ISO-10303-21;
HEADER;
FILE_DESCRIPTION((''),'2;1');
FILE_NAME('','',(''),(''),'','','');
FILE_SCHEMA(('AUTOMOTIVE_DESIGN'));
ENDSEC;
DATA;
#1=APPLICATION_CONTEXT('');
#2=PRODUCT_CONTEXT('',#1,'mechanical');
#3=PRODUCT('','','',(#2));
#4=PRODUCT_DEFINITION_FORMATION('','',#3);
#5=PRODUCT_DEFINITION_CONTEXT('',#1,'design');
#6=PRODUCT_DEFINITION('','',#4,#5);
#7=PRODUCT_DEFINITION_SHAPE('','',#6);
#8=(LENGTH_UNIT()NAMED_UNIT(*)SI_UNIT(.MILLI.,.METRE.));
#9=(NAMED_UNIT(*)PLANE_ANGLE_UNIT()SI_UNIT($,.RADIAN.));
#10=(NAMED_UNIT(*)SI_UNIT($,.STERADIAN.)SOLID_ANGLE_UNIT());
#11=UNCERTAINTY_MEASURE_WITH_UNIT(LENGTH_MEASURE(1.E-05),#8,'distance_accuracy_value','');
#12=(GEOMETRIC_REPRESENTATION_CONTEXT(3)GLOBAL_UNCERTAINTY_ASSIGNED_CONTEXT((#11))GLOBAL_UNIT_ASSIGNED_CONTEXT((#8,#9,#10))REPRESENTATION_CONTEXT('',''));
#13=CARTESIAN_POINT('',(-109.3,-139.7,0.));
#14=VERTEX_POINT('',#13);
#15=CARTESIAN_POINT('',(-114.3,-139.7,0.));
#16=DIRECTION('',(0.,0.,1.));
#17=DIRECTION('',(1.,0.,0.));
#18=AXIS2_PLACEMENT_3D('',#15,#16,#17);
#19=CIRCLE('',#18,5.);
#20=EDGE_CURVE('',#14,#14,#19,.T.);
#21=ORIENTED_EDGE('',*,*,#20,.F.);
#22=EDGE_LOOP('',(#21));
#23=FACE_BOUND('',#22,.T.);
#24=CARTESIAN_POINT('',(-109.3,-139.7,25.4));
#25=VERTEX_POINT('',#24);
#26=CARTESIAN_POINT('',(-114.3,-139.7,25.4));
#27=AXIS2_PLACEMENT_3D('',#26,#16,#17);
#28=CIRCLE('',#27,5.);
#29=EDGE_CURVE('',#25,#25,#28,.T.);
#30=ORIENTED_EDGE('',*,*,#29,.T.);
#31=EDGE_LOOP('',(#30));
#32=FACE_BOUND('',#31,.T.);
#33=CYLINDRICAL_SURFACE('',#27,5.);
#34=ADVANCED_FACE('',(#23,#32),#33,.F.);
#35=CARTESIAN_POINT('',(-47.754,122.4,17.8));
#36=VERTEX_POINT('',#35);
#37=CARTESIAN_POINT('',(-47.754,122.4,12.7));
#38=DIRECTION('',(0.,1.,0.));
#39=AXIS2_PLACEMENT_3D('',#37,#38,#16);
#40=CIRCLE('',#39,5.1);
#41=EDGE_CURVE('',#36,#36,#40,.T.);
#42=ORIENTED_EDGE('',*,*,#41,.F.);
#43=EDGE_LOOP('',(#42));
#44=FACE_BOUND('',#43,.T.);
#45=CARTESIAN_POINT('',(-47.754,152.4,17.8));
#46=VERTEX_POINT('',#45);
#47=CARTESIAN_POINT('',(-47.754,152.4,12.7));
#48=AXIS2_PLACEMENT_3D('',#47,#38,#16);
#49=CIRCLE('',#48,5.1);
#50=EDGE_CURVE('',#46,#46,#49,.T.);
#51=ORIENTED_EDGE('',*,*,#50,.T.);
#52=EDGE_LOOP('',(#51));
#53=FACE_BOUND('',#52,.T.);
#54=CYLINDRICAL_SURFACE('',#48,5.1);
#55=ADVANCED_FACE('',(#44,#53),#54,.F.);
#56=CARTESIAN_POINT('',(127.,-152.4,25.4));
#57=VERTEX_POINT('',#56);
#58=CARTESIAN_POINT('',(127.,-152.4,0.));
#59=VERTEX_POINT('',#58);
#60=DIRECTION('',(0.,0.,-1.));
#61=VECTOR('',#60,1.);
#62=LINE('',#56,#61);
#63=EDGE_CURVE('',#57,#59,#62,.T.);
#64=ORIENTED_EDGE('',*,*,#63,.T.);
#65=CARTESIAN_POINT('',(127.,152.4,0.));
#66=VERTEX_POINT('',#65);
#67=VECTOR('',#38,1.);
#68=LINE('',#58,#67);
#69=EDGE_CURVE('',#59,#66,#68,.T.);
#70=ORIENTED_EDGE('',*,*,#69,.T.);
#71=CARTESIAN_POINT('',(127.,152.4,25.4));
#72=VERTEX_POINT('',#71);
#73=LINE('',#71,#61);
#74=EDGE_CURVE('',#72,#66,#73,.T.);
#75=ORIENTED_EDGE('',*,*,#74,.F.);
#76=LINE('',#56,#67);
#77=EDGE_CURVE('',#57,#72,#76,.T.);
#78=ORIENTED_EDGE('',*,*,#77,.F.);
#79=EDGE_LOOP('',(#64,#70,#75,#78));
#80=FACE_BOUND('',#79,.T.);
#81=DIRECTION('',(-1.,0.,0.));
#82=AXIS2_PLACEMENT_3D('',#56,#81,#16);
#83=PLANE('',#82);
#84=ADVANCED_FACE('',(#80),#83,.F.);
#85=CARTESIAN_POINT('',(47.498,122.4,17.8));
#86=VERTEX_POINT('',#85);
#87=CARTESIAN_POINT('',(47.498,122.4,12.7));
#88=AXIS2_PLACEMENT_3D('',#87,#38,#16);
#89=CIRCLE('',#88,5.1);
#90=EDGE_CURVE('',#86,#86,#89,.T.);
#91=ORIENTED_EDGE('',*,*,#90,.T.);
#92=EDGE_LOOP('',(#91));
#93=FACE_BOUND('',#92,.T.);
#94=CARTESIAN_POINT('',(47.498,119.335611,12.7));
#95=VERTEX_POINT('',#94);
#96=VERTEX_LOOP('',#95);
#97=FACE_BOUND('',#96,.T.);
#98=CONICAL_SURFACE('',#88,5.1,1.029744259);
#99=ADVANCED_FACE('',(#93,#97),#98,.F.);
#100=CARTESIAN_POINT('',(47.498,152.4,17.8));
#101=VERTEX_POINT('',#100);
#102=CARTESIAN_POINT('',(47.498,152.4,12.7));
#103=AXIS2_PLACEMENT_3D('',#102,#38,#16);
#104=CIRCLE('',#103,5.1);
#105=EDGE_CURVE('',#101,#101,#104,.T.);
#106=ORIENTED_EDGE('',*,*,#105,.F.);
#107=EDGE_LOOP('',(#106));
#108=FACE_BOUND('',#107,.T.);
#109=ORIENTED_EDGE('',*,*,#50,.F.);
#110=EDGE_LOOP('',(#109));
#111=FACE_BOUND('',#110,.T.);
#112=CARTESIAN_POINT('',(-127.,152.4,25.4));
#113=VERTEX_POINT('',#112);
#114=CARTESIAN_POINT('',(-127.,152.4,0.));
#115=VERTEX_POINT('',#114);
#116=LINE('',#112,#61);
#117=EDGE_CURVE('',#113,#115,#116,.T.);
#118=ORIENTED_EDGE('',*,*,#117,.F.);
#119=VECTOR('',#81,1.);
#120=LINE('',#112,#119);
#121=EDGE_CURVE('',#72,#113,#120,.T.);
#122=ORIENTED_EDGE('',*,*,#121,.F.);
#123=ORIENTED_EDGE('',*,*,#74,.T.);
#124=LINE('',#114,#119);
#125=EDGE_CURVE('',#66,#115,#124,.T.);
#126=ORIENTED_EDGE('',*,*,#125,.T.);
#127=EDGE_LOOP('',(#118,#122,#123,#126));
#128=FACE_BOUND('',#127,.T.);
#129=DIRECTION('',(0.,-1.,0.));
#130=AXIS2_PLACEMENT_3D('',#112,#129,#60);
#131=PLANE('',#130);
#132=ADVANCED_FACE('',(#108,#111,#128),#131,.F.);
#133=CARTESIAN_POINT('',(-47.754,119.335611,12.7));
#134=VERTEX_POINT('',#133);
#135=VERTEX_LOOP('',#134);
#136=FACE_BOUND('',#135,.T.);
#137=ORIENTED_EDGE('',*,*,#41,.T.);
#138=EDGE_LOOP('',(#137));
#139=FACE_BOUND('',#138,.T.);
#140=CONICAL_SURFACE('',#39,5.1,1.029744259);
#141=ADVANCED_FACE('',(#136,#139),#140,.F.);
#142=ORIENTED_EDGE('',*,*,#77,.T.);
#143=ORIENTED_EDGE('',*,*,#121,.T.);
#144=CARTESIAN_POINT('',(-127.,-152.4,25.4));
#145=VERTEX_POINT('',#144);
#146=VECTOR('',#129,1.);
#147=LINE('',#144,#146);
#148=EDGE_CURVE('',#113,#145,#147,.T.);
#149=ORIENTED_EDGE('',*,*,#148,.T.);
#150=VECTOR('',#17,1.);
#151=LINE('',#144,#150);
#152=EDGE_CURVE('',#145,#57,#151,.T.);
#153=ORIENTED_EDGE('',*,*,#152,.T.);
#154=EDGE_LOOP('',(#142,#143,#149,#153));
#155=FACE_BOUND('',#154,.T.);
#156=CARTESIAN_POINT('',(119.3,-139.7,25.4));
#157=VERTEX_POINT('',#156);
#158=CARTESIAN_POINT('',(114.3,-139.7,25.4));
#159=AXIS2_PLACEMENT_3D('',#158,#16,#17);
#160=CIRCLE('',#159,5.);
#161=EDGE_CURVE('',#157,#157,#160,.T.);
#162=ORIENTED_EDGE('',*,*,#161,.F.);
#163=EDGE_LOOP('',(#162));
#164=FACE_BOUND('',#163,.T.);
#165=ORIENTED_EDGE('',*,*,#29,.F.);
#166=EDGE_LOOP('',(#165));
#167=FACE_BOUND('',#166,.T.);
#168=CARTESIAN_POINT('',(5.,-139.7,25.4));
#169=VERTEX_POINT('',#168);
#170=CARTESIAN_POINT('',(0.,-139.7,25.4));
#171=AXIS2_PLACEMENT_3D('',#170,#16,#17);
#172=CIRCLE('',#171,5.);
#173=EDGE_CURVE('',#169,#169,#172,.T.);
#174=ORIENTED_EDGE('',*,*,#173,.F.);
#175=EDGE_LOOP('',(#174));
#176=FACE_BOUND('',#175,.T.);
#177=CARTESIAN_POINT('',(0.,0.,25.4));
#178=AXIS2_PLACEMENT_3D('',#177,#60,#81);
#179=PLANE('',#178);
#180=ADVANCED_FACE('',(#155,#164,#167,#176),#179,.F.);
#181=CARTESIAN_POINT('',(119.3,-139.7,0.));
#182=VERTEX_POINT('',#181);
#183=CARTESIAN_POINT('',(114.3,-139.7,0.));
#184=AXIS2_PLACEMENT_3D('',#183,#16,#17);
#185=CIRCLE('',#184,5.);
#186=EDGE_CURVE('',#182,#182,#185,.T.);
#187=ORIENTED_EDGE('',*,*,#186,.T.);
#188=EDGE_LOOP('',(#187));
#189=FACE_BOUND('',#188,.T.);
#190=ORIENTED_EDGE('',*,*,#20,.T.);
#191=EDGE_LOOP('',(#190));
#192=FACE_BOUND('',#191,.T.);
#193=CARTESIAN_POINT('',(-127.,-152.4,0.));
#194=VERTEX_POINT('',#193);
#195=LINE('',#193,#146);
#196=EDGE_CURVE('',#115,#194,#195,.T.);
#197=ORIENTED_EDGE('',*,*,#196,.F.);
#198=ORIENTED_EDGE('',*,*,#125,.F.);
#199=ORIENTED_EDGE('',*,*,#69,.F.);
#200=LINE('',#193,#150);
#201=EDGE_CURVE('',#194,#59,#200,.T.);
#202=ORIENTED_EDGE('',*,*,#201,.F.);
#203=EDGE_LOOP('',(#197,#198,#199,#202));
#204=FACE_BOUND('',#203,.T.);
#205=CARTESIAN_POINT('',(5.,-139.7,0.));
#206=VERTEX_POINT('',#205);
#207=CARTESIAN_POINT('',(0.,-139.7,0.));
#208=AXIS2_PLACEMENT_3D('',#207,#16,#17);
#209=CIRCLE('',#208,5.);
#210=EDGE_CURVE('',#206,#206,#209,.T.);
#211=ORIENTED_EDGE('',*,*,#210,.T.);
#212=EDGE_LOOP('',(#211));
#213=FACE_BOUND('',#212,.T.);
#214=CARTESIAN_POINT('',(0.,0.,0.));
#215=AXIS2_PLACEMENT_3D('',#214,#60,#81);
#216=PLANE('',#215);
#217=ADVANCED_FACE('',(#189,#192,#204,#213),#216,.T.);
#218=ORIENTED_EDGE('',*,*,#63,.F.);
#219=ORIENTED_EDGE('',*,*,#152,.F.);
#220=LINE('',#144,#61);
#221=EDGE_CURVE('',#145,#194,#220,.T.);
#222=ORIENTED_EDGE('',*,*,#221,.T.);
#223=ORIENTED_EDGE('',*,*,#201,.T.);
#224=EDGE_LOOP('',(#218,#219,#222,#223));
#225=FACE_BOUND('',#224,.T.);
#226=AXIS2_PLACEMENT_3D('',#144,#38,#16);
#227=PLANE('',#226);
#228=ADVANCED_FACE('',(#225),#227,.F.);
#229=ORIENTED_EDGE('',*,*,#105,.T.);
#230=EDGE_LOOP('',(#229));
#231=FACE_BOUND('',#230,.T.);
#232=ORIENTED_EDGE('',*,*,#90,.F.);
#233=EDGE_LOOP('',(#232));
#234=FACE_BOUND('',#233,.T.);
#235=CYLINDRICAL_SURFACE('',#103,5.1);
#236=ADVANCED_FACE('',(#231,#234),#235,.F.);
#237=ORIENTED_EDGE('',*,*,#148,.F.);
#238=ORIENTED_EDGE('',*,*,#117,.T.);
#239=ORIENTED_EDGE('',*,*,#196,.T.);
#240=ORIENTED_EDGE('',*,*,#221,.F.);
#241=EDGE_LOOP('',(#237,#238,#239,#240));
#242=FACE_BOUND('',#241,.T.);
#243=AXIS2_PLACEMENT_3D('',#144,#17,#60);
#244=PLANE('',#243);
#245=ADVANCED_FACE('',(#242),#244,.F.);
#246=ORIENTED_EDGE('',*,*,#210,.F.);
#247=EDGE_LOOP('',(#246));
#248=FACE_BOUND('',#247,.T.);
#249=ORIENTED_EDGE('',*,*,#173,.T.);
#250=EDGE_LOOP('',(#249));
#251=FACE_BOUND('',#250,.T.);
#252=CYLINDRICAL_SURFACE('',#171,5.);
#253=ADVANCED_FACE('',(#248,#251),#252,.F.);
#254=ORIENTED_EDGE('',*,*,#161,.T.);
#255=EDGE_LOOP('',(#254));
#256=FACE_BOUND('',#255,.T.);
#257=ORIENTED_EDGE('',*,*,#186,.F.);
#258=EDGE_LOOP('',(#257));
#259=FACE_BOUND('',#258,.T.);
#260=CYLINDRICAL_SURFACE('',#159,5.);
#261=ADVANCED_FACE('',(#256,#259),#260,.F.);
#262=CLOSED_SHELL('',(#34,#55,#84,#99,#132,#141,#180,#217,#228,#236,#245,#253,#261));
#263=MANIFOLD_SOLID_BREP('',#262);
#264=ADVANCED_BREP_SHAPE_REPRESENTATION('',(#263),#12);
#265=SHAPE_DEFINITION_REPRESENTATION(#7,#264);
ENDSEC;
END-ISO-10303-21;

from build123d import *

# Parameters (mm, degrees)
SKETCH1_W                         = 254
SKETCH1_H                         = 304.8
BOSS_EXTRUDE1_DEPTH               = 25.4
F_10_0_10_DIAMETER_HOLE1_D        = 10
TAP_DRILL_FOR_M12X1_75_TAP1_D     = 10.2
TAP_DRILL_FOR_M12X1_75_TAP1_DEPTH = 30
TAP_DRILL_FOR_M12X1_75_TAP1_TIP   = 3.064389157


with BuildPart() as part:
    # Sketch1 → Boss-Extrude1 (new body)
    with BuildSketch(Plane.XY):
        Rectangle(SKETCH1_W, SKETCH1_H)
    extrude(amount=BOSS_EXTRUDE1_DEPTH)

    # Ø10.0 (10) Diameter Hole1 (through all)
    with Locations(Plane.XY.offset(25.4)):
        with Locations((-114.3, -139.7), (0, -139.7), (114.3, -139.7)):
            Hole(F_10_0_10_DIAMETER_HOLE1_D / 2)

    # Tap Drill for M12x1.75 Tap1
    with Locations(Plane(origin=(0, 152.4, 0), x_dir=(1, 0, 0), z_dir=(0, 1, 0))):
        with Locations((-47.754, -12.7), (47.498, -12.7)):
            Hole(TAP_DRILL_FOR_M12X1_75_TAP1_D / 2, depth=TAP_DRILL_FOR_M12X1_75_TAP1_DEPTH)
            with Locations((0, 0, -(TAP_DRILL_FOR_M12X1_75_TAP1_DEPTH + TAP_DRILL_FOR_M12X1_75_TAP1_TIP / 2))):  # 118° drill point
                Cone(0, TAP_DRILL_FOR_M12X1_75_TAP1_D / 2, TAP_DRILL_FOR_M12X1_75_TAP1_TIP, mode=Mode.SUBTRACT)


solid = part.part
